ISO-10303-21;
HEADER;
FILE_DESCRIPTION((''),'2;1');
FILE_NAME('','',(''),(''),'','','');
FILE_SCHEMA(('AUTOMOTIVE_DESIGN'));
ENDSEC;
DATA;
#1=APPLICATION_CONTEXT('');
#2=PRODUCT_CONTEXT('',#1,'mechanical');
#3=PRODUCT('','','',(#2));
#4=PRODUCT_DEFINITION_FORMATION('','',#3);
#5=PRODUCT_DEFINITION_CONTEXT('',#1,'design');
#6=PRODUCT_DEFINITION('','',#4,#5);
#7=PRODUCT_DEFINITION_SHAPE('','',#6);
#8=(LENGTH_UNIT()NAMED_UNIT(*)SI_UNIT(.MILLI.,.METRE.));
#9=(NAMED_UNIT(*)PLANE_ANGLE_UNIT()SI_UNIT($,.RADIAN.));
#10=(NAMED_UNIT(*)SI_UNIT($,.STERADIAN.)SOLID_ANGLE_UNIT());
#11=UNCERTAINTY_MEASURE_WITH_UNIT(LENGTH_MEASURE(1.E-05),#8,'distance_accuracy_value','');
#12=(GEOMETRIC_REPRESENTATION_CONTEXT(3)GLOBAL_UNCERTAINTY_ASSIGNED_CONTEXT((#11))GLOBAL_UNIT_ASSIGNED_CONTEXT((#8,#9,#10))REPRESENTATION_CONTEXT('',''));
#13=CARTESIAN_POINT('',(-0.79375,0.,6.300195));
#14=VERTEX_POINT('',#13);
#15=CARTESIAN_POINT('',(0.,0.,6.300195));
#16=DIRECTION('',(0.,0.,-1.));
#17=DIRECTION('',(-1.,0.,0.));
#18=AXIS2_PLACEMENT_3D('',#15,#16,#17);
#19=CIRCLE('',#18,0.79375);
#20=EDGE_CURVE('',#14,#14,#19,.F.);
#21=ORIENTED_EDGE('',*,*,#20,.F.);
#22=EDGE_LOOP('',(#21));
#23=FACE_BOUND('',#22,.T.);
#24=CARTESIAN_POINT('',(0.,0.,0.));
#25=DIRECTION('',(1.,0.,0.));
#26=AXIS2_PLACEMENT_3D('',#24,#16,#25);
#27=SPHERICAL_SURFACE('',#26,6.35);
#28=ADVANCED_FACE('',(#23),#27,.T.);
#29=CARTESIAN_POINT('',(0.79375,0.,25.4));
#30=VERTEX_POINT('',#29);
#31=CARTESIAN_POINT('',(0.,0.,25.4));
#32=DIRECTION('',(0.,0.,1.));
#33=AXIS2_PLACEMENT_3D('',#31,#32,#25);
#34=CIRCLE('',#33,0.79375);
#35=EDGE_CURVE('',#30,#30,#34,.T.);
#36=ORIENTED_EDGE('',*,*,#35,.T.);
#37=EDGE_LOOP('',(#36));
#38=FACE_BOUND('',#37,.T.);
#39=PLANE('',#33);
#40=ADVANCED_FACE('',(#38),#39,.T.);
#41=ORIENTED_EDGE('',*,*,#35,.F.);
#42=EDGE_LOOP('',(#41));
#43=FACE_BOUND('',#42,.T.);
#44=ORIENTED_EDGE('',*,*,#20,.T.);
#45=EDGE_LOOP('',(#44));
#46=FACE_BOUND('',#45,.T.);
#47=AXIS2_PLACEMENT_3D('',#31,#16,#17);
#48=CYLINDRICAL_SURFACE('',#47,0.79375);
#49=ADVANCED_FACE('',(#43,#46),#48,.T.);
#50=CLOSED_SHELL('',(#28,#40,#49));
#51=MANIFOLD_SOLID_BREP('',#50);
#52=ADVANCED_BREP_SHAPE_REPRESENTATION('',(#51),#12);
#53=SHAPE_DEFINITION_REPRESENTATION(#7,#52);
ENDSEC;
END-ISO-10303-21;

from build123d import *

# Parameters (mm, degrees)
SKETCH2_R           = 0.79375
BOSS_EXTRUDE1_DEPTH = 25.4


with BuildPart() as part:
    # Sketch1 → Revolve1 (revolve)
    with BuildSketch(Plane(origin=(0, 0, 0), x_dir=(1, 0, 0), z_dir=(0, 1, 0))):
        with BuildLine():
            Line((0, 6.35), (0, -6.35))
            ThreePointArc((0, -6.35), (6.35, 0), (0, 6.35))
        make_face()
    revolve(axis=Axis((0, 0, -6.35), (0, 0, 1)))

    # Sketch2 → Boss-Extrude1 (add)
    with BuildSketch(Plane.XY):
        Circle(SKETCH2_R)
    extrude(amount=BOSS_EXTRUDE1_DEPTH)


solid = part.part
